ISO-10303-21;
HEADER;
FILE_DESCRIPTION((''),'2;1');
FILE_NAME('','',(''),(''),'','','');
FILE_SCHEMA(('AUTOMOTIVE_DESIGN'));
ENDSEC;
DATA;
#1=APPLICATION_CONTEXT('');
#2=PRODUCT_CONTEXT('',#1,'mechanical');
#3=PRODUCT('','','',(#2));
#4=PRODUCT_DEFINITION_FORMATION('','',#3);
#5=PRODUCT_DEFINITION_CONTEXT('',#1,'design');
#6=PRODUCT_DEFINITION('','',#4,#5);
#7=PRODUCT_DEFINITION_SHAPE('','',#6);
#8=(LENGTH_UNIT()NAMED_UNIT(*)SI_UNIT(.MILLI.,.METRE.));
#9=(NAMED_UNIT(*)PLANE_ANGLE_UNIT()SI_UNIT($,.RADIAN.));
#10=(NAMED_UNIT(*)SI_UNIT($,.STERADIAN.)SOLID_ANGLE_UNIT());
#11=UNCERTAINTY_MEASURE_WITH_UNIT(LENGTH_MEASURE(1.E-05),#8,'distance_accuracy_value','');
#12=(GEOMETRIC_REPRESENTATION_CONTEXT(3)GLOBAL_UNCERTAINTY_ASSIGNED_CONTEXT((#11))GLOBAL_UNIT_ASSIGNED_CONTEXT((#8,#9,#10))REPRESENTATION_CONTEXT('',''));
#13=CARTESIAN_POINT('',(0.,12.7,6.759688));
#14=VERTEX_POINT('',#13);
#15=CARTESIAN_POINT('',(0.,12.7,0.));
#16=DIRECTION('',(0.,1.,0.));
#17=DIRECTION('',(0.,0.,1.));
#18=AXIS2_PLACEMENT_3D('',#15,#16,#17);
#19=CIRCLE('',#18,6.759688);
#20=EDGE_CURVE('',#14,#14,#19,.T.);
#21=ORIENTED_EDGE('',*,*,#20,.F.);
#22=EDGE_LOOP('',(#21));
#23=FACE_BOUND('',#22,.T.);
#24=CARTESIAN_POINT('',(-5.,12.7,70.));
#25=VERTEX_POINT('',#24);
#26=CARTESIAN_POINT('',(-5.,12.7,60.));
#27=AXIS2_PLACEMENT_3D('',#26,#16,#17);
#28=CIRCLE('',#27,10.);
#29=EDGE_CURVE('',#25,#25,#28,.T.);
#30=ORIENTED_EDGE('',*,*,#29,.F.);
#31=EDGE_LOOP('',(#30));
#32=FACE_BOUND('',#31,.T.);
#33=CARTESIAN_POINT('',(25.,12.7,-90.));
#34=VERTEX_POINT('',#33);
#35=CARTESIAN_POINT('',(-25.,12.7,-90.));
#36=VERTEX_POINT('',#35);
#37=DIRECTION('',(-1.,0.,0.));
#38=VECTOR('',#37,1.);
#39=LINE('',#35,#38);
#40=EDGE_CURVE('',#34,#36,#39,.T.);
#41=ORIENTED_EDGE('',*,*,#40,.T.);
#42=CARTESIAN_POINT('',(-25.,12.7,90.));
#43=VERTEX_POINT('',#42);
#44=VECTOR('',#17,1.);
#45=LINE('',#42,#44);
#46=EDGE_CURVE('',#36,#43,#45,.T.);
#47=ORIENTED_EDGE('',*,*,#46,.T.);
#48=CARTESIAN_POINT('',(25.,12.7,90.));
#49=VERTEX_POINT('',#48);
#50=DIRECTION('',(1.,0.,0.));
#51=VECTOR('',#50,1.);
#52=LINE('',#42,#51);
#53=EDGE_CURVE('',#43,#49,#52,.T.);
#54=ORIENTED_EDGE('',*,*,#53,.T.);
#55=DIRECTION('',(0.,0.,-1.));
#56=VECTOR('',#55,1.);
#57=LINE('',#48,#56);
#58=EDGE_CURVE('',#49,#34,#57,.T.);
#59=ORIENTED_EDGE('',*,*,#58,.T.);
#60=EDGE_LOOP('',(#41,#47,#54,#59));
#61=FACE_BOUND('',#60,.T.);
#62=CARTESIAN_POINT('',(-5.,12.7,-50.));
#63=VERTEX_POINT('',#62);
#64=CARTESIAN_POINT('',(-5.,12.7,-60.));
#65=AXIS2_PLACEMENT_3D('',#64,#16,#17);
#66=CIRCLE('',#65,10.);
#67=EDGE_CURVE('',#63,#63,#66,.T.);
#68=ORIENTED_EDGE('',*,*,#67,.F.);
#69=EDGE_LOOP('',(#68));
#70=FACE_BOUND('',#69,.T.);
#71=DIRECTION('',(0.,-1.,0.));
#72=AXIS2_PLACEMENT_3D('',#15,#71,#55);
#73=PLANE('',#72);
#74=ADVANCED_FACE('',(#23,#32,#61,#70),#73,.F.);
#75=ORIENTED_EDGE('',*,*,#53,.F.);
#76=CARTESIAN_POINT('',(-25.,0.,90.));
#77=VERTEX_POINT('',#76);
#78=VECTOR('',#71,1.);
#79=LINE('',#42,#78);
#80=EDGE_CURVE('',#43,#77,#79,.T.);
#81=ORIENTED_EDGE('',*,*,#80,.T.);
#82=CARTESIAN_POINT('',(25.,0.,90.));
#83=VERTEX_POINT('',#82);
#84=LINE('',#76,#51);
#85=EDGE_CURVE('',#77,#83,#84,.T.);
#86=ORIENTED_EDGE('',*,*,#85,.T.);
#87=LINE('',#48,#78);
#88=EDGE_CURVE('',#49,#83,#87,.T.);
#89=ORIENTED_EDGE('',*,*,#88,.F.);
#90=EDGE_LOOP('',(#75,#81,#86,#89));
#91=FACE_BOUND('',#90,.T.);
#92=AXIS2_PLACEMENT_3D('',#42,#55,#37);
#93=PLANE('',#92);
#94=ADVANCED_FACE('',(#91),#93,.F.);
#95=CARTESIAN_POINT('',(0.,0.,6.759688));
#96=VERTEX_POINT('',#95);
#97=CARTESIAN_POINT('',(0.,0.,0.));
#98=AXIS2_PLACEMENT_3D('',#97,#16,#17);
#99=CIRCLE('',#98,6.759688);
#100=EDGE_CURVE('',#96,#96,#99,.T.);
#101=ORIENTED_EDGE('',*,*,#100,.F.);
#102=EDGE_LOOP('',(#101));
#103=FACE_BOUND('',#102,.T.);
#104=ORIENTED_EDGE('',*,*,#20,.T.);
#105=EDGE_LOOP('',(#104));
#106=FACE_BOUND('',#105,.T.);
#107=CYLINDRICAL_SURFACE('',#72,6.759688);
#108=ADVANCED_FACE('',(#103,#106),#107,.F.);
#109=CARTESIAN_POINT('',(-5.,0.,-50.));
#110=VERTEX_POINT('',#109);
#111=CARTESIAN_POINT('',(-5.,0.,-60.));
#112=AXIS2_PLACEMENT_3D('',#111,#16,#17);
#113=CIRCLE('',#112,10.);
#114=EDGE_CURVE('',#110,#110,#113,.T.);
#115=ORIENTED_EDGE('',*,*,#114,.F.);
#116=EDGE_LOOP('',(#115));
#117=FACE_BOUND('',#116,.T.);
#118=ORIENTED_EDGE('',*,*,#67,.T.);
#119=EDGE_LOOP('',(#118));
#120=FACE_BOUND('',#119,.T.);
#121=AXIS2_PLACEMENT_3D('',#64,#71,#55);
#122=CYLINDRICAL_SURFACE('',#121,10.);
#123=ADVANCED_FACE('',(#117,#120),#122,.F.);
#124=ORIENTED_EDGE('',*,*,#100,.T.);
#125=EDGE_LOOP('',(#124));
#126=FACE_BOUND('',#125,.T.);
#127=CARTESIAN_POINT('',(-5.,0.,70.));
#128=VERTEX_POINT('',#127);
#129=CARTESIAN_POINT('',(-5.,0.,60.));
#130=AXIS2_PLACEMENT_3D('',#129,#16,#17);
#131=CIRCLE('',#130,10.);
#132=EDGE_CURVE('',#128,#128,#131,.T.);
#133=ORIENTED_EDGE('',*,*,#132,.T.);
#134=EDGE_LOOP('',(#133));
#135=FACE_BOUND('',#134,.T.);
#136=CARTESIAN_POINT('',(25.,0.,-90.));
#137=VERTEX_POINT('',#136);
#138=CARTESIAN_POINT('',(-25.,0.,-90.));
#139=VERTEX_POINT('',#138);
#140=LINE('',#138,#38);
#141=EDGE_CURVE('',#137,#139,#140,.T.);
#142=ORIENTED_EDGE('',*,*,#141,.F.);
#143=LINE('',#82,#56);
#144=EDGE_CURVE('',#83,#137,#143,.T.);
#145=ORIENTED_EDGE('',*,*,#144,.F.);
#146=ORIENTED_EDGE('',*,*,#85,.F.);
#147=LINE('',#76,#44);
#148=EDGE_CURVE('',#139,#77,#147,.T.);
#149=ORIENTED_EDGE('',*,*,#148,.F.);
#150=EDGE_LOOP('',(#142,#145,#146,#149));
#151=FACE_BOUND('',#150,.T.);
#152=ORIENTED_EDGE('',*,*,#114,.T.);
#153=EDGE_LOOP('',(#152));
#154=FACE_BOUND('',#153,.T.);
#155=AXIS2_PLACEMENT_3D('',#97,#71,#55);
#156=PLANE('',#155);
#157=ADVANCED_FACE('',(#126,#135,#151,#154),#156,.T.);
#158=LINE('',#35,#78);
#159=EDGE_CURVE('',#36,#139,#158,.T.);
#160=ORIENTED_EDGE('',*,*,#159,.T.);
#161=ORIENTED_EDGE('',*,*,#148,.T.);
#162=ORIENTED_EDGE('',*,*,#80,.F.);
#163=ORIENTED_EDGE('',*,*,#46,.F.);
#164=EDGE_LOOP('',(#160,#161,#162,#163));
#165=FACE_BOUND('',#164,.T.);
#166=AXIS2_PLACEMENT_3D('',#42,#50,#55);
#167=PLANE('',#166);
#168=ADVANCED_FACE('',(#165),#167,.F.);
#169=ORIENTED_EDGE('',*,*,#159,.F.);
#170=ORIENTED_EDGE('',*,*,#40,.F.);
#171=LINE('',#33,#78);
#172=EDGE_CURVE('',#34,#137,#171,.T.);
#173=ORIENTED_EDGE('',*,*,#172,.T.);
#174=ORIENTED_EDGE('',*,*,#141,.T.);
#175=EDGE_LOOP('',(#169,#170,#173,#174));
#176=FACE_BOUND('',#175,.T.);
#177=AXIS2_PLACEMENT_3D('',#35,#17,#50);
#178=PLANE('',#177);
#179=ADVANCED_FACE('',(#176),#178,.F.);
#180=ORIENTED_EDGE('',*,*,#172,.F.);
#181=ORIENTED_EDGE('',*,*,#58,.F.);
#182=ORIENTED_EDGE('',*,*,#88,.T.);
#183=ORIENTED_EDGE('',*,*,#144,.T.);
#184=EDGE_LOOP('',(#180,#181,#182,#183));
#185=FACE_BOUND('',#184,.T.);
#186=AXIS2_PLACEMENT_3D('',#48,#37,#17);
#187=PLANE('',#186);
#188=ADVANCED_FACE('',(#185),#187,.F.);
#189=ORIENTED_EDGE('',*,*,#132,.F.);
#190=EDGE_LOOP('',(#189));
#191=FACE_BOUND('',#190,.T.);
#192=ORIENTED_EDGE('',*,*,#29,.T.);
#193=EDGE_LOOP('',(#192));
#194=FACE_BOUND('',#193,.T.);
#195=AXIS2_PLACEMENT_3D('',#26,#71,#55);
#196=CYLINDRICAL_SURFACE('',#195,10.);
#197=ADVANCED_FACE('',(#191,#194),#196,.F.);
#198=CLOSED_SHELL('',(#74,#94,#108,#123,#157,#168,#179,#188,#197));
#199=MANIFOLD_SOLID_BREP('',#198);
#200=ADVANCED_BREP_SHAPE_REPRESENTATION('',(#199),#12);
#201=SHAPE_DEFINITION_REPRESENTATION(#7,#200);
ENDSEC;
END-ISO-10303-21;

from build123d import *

# Parameters (mm, degrees)
CROQUIS1_W              = 50
CROQUIS1_H              = 180
CROQUIS1_R              = 10
CROQUIS1_R_2            = 6.759687503
SALIENTE_EXTRUIR1_DEPTH = 12.7


with BuildPart() as part:
    # Croquis1 → Saliente-Extruir1 (new body)
    with BuildSketch(Plane(origin=(0, 0, 0), x_dir=(1, 0, 0), z_dir=(0, 1, 0))):
        Rectangle(CROQUIS1_W, CROQUIS1_H)
        with Locations(Location((-5, 60, 0), (0, 0, 270))):
            Circle(CROQUIS1_R, mode=Mode.SUBTRACT)
        with Locations(Location((-5, -60, 0), (0, 0, 270))):
            Circle(CROQUIS1_R, mode=Mode.SUBTRACT)
        with Locations(Location((0, 0, 0), (0, 0, 270))):
            Circle(CROQUIS1_R_2, mode=Mode.SUBTRACT)
    extrude(amount=SALIENTE_EXTRUIR1_DEPTH)


solid = part.part
